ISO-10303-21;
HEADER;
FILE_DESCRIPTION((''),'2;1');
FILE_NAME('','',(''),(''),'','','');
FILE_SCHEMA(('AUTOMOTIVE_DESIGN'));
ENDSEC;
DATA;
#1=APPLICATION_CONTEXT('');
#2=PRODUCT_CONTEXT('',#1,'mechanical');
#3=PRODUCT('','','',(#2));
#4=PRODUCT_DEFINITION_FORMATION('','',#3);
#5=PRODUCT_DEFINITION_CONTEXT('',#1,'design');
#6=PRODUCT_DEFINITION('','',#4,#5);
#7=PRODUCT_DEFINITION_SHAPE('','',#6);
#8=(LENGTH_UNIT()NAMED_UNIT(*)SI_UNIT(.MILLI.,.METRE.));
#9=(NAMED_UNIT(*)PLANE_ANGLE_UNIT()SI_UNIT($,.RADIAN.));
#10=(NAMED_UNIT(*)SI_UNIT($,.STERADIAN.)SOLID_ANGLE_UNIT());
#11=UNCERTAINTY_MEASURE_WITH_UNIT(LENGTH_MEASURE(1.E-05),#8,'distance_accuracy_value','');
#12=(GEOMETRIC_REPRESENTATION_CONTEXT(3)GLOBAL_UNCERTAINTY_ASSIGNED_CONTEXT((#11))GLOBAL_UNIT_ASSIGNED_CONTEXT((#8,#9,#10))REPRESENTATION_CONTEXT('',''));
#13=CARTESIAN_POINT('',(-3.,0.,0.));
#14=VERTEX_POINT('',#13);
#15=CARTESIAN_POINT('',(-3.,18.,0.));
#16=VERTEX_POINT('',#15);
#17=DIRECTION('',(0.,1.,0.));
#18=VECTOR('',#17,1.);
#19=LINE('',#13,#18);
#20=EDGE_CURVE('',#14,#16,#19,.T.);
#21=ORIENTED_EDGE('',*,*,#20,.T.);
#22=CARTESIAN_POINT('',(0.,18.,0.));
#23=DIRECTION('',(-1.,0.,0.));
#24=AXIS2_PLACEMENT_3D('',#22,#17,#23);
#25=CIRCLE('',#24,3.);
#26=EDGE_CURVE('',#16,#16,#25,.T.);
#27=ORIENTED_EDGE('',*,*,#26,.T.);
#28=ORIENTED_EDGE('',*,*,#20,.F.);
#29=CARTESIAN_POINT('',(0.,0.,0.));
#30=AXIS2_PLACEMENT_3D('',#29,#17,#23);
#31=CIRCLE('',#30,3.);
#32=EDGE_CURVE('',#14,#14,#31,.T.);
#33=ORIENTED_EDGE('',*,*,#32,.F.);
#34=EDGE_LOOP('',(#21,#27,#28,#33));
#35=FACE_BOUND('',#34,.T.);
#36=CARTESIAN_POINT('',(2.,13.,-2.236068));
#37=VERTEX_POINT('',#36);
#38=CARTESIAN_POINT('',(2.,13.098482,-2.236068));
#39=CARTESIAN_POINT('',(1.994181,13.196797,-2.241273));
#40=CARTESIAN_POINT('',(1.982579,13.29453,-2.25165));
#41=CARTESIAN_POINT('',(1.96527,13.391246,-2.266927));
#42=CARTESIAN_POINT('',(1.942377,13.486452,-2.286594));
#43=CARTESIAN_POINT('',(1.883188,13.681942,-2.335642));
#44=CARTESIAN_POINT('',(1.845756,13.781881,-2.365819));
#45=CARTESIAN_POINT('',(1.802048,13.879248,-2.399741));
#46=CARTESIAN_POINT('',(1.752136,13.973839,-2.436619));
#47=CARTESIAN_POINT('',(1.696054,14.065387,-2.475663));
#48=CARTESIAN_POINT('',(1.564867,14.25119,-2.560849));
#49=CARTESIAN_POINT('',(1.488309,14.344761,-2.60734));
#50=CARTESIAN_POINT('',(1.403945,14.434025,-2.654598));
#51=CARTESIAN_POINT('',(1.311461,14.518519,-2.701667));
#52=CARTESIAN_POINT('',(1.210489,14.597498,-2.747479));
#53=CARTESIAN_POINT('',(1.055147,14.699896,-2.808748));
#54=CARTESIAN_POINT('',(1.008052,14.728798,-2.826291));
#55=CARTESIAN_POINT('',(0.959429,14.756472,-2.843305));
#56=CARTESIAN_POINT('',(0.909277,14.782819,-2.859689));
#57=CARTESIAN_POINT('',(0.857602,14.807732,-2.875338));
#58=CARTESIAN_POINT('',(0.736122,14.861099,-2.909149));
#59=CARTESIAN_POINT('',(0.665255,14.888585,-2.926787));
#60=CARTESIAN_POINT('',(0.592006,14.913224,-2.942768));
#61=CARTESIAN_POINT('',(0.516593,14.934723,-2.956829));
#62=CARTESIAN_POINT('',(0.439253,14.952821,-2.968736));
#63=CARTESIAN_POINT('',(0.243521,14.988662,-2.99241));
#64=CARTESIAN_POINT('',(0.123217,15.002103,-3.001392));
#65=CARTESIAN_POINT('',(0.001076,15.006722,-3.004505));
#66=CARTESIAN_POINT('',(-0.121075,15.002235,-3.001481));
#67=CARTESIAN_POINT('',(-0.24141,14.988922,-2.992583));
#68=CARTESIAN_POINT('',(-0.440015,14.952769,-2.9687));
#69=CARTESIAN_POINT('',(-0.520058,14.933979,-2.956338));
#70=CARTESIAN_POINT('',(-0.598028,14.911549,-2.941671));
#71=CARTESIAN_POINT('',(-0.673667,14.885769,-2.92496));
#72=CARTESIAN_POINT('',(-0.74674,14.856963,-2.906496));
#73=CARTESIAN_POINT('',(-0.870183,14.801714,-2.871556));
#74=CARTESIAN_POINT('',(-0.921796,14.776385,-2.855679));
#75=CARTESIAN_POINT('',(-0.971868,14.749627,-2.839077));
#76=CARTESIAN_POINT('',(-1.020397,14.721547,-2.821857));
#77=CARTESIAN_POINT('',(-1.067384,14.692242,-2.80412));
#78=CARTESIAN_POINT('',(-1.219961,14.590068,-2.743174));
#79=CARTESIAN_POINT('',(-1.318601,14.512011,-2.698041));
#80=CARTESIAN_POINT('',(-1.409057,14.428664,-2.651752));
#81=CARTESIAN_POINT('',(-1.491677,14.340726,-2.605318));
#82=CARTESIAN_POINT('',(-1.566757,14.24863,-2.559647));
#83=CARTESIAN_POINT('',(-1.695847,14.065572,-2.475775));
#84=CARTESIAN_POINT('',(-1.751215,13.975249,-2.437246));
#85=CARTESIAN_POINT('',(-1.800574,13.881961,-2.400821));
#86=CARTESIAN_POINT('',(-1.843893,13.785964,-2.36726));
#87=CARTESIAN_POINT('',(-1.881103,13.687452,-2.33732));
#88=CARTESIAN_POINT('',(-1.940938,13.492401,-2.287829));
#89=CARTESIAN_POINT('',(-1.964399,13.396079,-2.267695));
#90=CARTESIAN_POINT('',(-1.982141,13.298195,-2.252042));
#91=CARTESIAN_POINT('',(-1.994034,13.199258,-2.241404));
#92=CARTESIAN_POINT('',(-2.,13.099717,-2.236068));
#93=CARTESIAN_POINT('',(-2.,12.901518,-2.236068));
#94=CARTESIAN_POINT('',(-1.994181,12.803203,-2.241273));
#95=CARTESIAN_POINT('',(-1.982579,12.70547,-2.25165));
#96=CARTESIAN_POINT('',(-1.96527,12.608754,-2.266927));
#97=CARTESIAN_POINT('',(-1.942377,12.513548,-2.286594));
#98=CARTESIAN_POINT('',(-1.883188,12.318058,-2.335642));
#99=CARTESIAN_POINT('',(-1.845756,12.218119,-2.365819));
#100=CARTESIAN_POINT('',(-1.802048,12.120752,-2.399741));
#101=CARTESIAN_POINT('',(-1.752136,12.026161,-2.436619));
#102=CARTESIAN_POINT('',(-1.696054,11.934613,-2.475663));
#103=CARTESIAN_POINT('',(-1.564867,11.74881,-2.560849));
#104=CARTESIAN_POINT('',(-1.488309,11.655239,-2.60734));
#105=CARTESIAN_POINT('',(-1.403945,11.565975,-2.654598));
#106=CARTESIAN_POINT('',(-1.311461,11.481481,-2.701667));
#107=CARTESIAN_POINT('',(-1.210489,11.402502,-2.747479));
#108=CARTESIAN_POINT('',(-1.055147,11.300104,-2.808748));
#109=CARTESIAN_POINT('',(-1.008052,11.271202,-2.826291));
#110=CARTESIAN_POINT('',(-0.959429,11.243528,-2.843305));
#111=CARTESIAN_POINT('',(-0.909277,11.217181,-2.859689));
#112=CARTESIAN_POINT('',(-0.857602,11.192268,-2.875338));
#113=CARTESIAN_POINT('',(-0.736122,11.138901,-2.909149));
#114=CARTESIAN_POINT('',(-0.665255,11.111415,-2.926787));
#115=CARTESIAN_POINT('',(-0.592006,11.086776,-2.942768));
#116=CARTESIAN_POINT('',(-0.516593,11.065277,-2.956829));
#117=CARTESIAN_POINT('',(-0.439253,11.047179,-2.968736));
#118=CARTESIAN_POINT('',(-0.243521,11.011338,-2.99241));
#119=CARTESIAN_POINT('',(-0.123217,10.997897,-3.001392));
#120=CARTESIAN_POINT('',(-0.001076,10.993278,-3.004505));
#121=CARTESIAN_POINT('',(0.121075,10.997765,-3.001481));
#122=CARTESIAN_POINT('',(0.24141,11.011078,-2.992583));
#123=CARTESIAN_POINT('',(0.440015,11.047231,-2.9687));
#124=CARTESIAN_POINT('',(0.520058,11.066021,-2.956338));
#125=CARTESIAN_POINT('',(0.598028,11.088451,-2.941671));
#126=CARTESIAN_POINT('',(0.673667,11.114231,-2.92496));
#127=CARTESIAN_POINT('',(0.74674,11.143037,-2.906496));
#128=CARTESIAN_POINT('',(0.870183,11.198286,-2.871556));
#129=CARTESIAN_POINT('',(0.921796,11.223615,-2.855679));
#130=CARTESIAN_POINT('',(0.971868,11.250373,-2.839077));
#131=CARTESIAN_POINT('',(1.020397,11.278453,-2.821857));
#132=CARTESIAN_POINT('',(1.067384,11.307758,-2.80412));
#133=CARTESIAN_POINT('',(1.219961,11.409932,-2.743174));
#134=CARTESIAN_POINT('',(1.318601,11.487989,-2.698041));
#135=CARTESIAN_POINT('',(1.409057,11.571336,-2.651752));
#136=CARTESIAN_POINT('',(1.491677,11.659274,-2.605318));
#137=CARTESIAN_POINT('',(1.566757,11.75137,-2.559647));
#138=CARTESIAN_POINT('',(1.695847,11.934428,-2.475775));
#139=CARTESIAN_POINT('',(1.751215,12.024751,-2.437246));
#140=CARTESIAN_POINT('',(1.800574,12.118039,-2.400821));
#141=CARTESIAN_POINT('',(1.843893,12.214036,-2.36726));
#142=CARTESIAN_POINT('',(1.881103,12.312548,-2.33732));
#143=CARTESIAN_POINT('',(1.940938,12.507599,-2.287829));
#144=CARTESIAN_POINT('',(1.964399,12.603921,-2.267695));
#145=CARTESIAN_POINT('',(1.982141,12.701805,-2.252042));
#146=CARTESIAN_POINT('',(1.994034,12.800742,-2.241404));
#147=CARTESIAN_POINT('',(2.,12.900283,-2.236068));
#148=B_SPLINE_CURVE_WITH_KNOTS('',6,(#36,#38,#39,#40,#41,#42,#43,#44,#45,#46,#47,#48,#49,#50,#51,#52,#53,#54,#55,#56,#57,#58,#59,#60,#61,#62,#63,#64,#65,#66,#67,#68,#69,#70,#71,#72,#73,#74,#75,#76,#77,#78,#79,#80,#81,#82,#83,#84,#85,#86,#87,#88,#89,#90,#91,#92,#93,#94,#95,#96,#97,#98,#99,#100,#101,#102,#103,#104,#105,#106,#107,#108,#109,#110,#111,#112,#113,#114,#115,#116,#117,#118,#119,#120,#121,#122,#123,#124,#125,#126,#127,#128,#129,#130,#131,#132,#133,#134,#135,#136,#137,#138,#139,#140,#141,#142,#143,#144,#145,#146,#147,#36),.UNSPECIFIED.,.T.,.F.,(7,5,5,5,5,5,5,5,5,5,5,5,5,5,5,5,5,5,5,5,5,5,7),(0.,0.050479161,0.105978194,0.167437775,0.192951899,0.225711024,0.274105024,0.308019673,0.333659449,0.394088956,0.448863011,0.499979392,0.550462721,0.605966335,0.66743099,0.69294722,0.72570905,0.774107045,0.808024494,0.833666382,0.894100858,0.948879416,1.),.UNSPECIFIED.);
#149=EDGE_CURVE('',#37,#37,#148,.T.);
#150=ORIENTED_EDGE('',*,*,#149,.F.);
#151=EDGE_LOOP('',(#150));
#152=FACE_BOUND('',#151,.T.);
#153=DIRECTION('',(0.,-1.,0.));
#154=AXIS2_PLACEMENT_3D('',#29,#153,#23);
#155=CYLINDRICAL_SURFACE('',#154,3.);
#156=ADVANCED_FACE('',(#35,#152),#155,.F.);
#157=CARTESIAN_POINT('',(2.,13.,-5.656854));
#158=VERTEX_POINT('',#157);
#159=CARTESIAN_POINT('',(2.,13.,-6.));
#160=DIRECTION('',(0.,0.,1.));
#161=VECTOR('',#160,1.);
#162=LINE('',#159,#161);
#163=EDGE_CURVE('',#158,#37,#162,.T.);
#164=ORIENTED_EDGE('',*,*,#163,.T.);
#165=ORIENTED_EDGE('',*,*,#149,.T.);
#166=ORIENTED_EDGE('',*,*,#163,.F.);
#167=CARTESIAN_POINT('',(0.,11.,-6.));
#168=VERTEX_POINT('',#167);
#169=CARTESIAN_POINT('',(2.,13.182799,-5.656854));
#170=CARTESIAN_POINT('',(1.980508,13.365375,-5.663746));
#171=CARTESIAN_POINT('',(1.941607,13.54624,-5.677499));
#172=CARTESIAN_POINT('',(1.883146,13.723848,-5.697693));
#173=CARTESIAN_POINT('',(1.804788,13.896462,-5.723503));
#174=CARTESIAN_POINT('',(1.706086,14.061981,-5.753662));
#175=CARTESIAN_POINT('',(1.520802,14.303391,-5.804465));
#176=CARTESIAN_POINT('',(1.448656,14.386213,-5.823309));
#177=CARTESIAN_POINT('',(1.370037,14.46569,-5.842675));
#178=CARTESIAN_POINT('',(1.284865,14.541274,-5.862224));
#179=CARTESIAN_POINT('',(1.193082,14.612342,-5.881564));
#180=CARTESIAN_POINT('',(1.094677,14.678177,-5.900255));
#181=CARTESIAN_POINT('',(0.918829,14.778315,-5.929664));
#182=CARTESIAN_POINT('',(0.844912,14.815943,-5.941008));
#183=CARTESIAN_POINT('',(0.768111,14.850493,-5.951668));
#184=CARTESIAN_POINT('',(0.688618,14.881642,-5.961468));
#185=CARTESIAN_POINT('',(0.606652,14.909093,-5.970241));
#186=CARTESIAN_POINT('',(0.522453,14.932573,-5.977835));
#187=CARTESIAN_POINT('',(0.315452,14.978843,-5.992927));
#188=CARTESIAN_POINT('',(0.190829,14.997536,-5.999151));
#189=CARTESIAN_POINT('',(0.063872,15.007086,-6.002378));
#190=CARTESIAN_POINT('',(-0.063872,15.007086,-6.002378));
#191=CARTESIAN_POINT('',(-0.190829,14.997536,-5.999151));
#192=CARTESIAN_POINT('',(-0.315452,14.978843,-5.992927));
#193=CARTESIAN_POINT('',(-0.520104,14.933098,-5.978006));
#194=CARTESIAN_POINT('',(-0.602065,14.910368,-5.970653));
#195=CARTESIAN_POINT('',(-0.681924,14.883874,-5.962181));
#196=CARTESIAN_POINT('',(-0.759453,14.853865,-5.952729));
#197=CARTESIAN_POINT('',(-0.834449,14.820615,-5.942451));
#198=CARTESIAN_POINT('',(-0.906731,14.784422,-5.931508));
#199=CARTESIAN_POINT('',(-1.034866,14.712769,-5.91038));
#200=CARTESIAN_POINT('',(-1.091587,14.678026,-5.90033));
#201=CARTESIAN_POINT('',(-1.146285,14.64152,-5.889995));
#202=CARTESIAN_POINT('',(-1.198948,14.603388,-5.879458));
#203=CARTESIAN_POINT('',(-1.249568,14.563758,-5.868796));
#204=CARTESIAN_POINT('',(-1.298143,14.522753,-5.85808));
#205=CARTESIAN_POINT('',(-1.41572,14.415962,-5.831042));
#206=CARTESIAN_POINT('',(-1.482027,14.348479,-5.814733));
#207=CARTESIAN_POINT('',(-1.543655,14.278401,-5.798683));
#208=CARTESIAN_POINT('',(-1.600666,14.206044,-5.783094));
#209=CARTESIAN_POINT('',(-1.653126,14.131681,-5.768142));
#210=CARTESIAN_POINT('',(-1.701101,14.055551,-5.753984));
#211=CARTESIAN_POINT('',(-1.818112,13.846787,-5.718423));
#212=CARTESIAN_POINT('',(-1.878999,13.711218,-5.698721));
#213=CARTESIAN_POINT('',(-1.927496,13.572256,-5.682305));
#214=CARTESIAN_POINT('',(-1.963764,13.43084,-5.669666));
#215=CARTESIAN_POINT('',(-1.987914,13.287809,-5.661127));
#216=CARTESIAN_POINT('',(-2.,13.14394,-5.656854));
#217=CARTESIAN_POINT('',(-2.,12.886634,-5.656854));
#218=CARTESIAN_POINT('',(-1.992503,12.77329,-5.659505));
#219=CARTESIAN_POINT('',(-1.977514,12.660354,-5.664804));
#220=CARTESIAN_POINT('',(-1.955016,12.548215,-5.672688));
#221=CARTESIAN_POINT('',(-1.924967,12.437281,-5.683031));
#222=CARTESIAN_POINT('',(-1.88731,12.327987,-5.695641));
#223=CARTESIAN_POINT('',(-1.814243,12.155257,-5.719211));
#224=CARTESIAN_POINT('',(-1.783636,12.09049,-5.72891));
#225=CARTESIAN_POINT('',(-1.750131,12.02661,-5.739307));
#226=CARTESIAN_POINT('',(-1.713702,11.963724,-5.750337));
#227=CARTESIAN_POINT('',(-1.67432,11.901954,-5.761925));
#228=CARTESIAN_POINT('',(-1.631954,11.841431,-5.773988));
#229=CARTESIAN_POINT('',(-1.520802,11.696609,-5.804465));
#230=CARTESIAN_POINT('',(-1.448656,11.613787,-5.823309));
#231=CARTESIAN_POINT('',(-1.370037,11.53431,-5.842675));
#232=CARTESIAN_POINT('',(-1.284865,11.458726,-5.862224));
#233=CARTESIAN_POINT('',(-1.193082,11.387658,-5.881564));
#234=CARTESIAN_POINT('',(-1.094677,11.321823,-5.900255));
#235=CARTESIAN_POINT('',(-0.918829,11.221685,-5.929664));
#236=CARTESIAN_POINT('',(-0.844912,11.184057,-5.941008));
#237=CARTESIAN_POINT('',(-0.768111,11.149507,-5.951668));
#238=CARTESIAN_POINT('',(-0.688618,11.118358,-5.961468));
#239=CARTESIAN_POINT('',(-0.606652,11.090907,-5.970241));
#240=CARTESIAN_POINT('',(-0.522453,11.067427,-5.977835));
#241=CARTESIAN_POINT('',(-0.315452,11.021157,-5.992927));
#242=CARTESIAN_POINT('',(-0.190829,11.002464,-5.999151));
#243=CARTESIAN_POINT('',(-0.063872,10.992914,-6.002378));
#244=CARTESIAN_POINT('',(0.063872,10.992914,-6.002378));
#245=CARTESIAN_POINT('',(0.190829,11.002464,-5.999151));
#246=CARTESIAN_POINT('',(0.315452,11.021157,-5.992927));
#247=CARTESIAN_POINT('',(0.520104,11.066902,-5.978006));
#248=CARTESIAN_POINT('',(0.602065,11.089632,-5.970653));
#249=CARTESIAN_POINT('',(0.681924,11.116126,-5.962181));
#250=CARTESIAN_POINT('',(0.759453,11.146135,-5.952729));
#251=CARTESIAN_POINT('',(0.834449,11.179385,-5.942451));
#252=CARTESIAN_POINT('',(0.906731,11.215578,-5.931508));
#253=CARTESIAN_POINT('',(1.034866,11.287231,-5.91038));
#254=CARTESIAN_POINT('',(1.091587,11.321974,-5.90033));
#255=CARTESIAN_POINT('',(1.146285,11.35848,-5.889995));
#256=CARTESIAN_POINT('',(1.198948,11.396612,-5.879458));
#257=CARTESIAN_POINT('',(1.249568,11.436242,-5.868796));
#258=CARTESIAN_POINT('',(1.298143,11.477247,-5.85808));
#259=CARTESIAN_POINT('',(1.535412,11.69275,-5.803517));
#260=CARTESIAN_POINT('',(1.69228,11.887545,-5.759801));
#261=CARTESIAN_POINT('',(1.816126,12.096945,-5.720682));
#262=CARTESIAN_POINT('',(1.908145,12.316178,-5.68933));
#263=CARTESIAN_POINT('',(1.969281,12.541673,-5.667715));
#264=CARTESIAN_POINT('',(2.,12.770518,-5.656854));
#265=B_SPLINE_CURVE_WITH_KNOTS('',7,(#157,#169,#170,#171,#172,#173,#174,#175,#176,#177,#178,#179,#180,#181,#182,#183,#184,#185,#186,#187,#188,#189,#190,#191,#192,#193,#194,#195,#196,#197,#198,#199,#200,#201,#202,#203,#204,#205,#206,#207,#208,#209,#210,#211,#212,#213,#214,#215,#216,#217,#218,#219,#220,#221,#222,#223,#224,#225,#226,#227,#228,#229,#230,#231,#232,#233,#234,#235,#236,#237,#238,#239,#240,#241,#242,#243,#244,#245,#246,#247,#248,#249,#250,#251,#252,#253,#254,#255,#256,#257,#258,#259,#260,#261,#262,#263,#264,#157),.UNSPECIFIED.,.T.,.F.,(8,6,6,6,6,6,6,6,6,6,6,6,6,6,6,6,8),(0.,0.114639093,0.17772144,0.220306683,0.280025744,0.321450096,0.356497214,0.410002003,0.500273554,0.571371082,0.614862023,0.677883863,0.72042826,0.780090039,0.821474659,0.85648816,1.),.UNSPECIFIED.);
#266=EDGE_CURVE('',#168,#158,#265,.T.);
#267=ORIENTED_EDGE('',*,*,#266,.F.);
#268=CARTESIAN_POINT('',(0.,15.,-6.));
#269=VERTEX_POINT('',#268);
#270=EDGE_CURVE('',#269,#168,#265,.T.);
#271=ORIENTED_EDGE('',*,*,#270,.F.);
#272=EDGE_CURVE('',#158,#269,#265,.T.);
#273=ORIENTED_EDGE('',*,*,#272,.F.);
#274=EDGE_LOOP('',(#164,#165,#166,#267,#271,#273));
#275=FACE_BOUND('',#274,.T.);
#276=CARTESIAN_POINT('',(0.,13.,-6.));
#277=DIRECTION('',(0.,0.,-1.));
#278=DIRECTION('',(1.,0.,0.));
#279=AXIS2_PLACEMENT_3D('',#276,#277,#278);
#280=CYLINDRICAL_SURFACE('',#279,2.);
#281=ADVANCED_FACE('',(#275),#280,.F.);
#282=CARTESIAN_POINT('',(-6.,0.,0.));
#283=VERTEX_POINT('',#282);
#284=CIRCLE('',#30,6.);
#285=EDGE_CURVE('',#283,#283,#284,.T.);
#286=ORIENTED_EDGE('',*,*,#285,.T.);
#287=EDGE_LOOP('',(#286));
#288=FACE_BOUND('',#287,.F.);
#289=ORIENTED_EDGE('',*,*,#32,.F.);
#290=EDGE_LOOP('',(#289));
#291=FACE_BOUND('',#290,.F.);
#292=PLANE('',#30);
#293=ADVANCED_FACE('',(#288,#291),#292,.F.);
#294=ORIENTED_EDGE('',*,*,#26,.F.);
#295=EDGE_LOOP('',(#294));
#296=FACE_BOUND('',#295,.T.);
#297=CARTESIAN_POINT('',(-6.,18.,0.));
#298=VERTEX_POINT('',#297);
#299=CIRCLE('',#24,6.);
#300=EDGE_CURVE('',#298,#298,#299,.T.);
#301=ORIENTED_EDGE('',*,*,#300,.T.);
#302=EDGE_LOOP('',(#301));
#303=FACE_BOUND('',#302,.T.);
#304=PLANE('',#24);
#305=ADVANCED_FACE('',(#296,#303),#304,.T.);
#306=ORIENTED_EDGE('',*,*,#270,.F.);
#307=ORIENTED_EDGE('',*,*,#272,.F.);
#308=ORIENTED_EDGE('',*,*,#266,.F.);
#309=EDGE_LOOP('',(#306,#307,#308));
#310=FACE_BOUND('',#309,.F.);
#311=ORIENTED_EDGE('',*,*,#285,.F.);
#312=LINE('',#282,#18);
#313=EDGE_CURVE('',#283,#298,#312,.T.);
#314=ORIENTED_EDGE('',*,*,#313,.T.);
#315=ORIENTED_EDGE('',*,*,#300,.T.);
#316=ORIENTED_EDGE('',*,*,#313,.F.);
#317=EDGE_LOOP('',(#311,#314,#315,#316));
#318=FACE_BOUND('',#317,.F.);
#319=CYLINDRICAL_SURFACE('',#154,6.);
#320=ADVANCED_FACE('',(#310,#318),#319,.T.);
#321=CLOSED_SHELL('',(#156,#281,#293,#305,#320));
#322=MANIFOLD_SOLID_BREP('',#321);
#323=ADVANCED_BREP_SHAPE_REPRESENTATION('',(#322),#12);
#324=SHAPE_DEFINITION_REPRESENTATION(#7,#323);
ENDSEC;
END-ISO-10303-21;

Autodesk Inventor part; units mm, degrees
ref_plane "YZ Plane" through (0, 0, 0) normal (1, 0, 0) x (0, 1, 0)
ref_plane "XZ Plane" through (0, 0, 0) normal (0, 1, 0) x (-1, 0, 0)
sketch "Эскиз1" plane through (0, 0, 0) normal (0, 1, 0) x (-1, 0, 0)
  circle A0 centre (0, 0) radius 6
  circle A1 centre (0, 0) radius 3
  dimension "d0" = 12
  dimension "d1" = 6
extrude "Выдавливание1" add sketch "Эскиз1" along normal blind 18
ref_plane "РабПлоскость1" through (0, 0, -6) normal (0, 0, 1) x (1, 0, 0)
sketch "Эскиз2" plane through (0, 0, -6) normal (0, 0, 1) x (1, 0, 0)
  circle A0 centre (0, 5) radius 2
  circle A1 centre (0, 13) radius 2
  line L0 (-6, 0) -> (-6, 18) projected
  line L1 (-6, 9) -> (-4.8427, 9) construction
  point P0 (0, 0)
  dimension "d4" = 4
  dimension "d5" = 4
  dimension "d6" = 8
extrude "Выдавливание2" cut sketch "Эскиз2" along normal blind 4 contours A1
thread "Резьба2" size "M4x0.7" class "6H" standard "ANSI Metric M Profile" length 51.6
equation "\"d7\" = d4"
properties part number "000.002.003 - Металическая вставка" material "Сталь"
